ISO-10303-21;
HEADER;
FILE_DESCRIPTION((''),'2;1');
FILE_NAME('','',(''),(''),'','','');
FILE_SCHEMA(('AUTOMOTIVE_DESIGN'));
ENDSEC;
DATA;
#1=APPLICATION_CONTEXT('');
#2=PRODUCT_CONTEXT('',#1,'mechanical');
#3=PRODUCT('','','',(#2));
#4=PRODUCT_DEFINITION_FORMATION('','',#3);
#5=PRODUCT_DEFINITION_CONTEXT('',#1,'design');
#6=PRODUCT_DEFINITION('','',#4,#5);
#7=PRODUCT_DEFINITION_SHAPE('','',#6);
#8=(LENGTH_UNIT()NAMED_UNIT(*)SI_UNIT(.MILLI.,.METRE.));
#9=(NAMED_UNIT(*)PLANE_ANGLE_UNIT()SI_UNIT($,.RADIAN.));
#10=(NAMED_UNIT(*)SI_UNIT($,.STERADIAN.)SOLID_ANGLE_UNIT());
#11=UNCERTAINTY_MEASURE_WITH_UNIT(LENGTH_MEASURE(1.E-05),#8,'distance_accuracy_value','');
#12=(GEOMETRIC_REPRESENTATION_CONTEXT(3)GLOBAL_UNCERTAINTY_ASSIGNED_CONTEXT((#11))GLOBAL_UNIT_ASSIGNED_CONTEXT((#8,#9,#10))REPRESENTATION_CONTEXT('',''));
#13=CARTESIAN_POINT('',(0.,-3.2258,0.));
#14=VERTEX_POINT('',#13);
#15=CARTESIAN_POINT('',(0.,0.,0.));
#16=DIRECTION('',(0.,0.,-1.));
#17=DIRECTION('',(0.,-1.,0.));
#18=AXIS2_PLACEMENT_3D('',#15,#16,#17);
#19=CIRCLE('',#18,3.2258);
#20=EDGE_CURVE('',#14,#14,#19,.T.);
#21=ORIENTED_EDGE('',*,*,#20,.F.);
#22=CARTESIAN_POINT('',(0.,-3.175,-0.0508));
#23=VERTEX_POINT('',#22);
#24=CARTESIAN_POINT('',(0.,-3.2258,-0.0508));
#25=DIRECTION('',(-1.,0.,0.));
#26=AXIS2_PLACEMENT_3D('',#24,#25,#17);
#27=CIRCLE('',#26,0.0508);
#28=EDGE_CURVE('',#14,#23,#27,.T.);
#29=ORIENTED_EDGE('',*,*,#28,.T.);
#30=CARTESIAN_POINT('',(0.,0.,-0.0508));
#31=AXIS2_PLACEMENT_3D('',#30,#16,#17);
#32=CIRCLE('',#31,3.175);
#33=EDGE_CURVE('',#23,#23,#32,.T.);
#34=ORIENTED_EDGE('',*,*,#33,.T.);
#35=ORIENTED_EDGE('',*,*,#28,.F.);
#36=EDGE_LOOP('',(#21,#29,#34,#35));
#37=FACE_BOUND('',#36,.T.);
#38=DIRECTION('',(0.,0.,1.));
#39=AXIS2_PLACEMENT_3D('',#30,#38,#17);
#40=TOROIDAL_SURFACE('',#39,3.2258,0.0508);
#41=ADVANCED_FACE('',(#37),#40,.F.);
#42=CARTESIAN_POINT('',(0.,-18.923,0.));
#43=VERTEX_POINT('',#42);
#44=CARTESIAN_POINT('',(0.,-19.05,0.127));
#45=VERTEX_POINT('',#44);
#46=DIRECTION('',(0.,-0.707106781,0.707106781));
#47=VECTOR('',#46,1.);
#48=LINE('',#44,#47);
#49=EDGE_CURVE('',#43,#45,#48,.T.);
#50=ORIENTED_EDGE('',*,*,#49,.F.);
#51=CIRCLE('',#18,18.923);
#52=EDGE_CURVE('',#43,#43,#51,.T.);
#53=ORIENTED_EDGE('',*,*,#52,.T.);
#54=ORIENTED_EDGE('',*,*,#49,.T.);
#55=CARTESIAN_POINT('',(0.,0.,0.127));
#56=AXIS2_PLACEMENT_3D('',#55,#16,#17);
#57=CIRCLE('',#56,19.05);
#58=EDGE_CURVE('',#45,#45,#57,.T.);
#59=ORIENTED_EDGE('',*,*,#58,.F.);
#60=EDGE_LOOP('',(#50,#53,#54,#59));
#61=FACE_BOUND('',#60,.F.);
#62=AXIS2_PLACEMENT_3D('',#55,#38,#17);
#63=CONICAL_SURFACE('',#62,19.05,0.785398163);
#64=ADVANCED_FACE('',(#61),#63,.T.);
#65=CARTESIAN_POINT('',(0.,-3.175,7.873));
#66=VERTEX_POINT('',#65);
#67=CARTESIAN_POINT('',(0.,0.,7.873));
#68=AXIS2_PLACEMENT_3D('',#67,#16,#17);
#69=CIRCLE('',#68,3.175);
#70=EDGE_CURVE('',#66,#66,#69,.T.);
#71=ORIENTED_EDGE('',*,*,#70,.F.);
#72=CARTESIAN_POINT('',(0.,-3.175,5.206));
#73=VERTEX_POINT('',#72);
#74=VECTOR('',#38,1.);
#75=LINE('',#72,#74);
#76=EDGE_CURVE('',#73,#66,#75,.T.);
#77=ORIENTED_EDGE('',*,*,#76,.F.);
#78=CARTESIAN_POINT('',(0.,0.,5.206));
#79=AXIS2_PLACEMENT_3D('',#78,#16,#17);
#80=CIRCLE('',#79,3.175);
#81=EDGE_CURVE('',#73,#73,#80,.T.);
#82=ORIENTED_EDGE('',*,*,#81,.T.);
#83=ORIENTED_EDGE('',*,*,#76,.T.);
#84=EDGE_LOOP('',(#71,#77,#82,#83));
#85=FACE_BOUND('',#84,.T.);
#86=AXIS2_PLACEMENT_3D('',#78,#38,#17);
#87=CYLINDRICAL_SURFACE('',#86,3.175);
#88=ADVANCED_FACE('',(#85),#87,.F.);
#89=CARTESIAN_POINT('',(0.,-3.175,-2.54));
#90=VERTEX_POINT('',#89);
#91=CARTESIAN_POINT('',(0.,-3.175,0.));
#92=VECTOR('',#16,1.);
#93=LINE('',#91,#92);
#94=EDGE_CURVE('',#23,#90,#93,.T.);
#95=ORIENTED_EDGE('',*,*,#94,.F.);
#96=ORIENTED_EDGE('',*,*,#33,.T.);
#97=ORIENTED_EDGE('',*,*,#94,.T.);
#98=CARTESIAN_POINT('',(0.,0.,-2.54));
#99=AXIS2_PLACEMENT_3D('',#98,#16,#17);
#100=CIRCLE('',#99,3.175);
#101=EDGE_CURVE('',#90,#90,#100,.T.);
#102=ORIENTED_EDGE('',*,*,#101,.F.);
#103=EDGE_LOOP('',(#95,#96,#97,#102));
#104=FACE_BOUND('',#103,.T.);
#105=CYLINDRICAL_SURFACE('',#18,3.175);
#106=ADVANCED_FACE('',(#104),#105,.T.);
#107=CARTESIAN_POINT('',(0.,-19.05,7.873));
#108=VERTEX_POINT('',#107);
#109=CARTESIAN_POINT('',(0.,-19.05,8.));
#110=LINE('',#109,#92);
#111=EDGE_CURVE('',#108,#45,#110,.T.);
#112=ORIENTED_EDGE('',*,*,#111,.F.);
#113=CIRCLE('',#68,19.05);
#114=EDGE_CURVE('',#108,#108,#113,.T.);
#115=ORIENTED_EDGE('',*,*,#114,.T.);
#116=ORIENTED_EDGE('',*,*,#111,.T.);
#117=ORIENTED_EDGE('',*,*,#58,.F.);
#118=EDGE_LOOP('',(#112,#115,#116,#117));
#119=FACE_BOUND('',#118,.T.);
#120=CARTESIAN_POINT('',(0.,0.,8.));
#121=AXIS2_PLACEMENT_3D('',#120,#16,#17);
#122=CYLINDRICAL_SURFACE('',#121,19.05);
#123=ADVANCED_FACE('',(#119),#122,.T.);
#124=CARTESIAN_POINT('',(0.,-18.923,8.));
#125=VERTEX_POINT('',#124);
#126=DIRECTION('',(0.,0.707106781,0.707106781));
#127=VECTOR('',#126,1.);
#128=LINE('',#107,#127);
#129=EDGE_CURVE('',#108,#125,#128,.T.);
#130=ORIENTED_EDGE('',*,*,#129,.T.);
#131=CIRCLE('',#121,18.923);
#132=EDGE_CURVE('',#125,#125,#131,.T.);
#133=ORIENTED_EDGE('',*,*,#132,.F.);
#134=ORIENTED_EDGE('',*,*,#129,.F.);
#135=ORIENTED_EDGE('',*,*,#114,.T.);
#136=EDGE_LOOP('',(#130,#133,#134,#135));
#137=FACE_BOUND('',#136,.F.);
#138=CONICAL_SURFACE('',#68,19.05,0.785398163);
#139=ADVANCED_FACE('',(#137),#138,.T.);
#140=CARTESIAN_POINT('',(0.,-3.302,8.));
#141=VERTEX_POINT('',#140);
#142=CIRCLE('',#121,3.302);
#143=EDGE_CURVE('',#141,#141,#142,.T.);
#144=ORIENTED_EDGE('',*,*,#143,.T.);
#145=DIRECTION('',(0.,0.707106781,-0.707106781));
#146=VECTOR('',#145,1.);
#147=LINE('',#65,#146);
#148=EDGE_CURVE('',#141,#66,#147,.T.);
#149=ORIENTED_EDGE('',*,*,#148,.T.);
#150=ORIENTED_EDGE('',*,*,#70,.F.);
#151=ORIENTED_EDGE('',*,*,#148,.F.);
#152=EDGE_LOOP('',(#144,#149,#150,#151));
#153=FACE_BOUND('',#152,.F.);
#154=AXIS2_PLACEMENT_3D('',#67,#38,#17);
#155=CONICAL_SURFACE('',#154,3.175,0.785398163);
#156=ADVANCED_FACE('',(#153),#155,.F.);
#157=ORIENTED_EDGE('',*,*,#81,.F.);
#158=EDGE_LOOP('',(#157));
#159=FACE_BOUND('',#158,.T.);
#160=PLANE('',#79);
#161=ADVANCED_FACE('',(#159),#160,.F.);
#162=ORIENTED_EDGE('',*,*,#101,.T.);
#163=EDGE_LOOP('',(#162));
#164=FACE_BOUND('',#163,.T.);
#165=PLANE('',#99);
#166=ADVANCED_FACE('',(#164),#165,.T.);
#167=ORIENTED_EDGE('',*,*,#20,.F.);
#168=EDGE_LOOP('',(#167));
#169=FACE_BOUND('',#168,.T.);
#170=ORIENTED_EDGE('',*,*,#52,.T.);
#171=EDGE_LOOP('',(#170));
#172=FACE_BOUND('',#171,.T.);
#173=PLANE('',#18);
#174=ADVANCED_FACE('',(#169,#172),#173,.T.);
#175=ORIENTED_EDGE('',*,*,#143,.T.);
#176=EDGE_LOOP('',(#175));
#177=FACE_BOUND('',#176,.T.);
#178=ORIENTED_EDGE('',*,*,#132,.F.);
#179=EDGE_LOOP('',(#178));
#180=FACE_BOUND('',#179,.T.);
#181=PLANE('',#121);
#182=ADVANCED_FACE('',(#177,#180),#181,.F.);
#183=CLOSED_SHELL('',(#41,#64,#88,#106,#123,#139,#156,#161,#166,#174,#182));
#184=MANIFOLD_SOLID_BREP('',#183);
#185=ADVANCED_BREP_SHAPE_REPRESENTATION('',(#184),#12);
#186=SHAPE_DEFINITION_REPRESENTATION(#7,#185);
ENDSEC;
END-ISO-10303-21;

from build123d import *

# Parameters (mm, degrees)
F2_R    = 0.0508
F3_SIZE = 0.127


with BuildPart() as f1:
    # F0 (on Right) → F1 (revolve)
    with BuildSketch(Plane.YZ):
        Polygon((-3.175, -2.54), (0, -2.54), (0, 0), (0, 5.206), (-3.175, 5.206), (-3.175, 8), (-19.05, 8), (-19.05, 0), (-3.175, 0), align=None)
    revolve(axis=Axis((0, 0, 2.603), (0, 0, -1)))

    # F2
    f2_edges = [f1.edges().sort_by_distance(p)[0] for p in [
        (0, 3.175, 0),
    ]]
    fillet(f2_edges, radius=F2_R)

    # F3
    f3_edges = [f1.edges().sort_by_distance(p)[0] for p in [
        (0, 19.05, 0),
        (0, 19.05, 8),
        (0, 3.175, 8),
    ]]
    chamfer(f3_edges, length=F3_SIZE)


solid = f1.part
